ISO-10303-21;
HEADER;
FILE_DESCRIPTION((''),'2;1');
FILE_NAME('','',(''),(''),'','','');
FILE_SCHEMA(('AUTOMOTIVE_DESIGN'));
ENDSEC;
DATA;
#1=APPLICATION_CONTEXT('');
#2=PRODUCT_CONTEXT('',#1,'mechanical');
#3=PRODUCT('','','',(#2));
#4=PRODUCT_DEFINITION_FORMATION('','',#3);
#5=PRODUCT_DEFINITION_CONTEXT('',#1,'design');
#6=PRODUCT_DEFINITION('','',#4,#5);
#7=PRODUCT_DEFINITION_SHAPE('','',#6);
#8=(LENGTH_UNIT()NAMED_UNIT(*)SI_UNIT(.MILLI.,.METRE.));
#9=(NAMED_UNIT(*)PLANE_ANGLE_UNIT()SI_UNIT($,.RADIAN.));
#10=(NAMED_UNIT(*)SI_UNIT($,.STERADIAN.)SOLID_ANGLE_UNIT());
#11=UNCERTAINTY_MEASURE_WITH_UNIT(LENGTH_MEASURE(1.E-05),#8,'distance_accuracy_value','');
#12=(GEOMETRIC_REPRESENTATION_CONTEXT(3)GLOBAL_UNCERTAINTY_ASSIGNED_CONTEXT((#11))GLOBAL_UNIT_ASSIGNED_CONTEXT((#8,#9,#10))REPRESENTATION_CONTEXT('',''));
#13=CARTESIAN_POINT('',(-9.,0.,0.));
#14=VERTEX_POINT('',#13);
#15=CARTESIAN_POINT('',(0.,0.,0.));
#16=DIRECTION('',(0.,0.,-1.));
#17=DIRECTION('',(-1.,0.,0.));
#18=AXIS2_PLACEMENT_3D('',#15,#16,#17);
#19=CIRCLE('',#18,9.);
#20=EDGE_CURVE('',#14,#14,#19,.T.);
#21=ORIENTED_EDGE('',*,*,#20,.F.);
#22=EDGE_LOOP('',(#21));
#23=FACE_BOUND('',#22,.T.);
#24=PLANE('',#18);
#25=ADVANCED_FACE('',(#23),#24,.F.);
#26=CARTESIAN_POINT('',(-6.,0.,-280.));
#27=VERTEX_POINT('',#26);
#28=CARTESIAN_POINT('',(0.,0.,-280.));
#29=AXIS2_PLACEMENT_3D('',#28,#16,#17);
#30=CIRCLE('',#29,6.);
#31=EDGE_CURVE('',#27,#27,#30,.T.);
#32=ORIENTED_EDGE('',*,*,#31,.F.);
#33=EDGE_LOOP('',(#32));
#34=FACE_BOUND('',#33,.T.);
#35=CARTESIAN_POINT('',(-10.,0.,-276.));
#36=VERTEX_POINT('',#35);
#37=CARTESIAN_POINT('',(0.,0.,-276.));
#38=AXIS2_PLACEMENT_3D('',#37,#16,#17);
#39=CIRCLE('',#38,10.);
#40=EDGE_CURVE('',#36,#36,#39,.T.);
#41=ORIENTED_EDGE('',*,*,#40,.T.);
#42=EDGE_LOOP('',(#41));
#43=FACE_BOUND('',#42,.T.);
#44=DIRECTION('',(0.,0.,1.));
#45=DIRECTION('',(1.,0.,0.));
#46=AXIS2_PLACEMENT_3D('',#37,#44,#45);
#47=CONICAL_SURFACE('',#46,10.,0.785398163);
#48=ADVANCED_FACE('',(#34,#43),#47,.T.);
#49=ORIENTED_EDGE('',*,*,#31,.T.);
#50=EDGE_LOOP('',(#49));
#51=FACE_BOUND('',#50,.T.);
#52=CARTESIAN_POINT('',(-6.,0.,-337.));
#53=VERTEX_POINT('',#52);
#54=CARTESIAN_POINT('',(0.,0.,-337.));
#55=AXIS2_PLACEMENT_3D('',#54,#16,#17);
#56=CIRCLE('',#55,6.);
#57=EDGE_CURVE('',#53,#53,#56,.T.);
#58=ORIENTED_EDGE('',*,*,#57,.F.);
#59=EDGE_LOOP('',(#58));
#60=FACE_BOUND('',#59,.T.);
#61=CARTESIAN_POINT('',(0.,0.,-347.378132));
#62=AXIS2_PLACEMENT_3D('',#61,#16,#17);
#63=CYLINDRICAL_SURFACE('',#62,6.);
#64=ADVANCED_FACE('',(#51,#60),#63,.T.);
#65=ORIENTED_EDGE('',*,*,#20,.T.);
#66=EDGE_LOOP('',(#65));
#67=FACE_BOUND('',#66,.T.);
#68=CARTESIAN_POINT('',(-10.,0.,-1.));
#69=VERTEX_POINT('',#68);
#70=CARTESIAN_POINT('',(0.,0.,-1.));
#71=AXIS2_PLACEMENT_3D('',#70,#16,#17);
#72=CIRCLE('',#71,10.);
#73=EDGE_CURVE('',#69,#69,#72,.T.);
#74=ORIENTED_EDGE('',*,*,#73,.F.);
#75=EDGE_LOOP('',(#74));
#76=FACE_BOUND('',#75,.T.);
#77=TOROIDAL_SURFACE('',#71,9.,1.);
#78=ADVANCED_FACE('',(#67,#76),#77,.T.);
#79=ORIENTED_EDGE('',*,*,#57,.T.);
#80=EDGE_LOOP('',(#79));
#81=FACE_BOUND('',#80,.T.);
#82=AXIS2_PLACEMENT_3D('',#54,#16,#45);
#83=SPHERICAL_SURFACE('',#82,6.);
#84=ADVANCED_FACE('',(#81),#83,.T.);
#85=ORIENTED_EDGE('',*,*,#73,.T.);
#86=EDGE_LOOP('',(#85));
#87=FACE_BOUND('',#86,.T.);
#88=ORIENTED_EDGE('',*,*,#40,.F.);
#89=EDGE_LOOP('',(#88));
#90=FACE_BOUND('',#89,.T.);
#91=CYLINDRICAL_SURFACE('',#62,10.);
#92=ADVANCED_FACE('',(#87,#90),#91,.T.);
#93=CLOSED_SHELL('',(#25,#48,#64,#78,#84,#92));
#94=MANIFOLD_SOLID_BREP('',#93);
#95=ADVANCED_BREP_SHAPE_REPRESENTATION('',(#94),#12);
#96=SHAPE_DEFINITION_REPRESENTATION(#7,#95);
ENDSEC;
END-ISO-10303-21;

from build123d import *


with BuildPart() as part:
    # Sketch1 → Revolve1 (revolve)
    with BuildSketch(Plane(origin=(0, 0, 0), x_dir=(1, 0, 0), z_dir=(0, 1, 0)), mode=Mode.PRIVATE) as revolve1_sk:
        with BuildLine():
            Line((0, 0), (9, 0))
            ThreePointArc((9, 0), (9.707106781, 0.292893219), (10, 1))
            Line((10, 1), (10, 276))
            Line((10, 276), (6, 280))
            Line((6, 280), (6, 337))
            ThreePointArc((6, 337), (4.242640687, 341.242640687), (0, 343))
            Line((0, 343), (0, 0))
        make_face()
    revolve(revolve1_sk.sketch.rotate(Axis((0, 0, -347.378132429), (0, 0, 1)), 180), axis=Axis((0, 0, -347.378132429), (0, 0, 1)))


solid = part.part
